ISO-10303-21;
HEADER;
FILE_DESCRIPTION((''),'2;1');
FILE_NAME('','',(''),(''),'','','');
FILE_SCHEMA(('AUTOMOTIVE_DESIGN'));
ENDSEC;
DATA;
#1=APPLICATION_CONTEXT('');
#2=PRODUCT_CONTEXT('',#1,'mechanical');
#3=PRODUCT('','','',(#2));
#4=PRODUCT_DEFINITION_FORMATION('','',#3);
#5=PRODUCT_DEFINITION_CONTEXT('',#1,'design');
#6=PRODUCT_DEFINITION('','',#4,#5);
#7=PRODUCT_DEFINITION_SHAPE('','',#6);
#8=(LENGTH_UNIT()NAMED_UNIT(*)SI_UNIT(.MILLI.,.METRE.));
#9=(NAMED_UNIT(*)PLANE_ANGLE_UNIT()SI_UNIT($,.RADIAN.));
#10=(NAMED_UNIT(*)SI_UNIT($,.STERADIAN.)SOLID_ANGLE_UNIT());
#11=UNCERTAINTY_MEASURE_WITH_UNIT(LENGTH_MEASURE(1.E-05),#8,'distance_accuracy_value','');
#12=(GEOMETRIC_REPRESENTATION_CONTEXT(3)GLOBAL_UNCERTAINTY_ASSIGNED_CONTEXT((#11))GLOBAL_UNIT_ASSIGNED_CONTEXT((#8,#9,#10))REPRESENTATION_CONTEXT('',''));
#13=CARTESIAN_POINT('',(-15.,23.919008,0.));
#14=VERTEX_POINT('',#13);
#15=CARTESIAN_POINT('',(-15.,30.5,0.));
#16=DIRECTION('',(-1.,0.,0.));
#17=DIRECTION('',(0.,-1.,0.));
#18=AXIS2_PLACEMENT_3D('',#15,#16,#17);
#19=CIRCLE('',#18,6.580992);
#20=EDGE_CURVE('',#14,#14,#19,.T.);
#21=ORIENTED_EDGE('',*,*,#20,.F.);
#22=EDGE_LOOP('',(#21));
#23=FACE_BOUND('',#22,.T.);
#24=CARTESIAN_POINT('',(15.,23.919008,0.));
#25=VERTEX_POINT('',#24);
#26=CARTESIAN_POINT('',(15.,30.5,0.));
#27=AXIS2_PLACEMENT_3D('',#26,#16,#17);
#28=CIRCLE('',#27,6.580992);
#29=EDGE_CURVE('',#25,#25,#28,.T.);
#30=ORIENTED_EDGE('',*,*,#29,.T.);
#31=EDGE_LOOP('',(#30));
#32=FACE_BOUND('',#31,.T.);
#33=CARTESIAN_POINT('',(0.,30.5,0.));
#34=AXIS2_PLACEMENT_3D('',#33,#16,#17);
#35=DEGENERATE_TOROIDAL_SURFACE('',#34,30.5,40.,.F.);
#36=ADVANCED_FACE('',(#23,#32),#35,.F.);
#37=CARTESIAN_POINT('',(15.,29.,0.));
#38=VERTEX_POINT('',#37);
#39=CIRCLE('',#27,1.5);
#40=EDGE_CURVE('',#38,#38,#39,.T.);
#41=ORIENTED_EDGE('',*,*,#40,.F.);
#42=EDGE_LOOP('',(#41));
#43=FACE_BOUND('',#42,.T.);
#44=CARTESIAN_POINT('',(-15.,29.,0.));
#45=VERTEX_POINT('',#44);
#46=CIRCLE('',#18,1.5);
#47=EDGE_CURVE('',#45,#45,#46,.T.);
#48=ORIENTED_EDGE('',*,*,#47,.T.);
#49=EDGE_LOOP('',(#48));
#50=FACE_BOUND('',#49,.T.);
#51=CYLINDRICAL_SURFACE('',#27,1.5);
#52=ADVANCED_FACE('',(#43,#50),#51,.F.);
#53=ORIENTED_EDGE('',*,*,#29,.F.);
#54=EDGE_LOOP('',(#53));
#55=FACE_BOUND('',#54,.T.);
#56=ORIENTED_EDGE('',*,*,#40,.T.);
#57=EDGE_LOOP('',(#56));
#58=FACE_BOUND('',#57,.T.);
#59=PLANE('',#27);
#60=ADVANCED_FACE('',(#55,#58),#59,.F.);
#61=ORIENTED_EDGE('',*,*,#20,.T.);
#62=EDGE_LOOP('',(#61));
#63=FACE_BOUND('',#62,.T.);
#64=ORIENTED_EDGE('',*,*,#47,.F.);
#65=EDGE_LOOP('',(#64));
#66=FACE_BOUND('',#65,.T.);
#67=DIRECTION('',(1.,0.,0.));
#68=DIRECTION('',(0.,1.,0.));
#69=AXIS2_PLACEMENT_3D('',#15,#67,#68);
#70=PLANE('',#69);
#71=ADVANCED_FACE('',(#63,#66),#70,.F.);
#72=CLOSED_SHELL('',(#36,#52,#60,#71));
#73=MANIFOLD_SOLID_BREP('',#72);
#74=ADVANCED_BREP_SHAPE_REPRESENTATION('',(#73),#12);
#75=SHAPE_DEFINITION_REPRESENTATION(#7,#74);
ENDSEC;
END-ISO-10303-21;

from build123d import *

# Parameters (mm, degrees)
ESBO_O2_R             = 1.5
CORTE_EXTRUS_O1_DEPTH = 31.0000001


with BuildPart() as part:
    # Esboço1 → Revolução2 (revolve)
    with BuildSketch(Plane.XY):
        with BuildLine():
            Line((-15, 30.5), (-15, 37.080992435))
            ThreePointArc((-15, 37.080992435), (0, 40), (15, 37.080992435))
            Line((15, 37.080992435), (15, 30.5))
            Line((15, 30.5), (-15, 30.5))
        make_face()
    revolve(axis=Axis((-15, 30.5, 0), (1, 0, 0)))

    # Esboço2 → Corte-extrusão1 (cut, through all)
    with BuildSketch(Plane.ZY.offset(15)):
        with Locations((0, 30.5)):
            Circle(ESBO_O2_R)
    extrude(amount=-CORTE_EXTRUS_O1_DEPTH, mode=Mode.SUBTRACT)


solid = part.part
